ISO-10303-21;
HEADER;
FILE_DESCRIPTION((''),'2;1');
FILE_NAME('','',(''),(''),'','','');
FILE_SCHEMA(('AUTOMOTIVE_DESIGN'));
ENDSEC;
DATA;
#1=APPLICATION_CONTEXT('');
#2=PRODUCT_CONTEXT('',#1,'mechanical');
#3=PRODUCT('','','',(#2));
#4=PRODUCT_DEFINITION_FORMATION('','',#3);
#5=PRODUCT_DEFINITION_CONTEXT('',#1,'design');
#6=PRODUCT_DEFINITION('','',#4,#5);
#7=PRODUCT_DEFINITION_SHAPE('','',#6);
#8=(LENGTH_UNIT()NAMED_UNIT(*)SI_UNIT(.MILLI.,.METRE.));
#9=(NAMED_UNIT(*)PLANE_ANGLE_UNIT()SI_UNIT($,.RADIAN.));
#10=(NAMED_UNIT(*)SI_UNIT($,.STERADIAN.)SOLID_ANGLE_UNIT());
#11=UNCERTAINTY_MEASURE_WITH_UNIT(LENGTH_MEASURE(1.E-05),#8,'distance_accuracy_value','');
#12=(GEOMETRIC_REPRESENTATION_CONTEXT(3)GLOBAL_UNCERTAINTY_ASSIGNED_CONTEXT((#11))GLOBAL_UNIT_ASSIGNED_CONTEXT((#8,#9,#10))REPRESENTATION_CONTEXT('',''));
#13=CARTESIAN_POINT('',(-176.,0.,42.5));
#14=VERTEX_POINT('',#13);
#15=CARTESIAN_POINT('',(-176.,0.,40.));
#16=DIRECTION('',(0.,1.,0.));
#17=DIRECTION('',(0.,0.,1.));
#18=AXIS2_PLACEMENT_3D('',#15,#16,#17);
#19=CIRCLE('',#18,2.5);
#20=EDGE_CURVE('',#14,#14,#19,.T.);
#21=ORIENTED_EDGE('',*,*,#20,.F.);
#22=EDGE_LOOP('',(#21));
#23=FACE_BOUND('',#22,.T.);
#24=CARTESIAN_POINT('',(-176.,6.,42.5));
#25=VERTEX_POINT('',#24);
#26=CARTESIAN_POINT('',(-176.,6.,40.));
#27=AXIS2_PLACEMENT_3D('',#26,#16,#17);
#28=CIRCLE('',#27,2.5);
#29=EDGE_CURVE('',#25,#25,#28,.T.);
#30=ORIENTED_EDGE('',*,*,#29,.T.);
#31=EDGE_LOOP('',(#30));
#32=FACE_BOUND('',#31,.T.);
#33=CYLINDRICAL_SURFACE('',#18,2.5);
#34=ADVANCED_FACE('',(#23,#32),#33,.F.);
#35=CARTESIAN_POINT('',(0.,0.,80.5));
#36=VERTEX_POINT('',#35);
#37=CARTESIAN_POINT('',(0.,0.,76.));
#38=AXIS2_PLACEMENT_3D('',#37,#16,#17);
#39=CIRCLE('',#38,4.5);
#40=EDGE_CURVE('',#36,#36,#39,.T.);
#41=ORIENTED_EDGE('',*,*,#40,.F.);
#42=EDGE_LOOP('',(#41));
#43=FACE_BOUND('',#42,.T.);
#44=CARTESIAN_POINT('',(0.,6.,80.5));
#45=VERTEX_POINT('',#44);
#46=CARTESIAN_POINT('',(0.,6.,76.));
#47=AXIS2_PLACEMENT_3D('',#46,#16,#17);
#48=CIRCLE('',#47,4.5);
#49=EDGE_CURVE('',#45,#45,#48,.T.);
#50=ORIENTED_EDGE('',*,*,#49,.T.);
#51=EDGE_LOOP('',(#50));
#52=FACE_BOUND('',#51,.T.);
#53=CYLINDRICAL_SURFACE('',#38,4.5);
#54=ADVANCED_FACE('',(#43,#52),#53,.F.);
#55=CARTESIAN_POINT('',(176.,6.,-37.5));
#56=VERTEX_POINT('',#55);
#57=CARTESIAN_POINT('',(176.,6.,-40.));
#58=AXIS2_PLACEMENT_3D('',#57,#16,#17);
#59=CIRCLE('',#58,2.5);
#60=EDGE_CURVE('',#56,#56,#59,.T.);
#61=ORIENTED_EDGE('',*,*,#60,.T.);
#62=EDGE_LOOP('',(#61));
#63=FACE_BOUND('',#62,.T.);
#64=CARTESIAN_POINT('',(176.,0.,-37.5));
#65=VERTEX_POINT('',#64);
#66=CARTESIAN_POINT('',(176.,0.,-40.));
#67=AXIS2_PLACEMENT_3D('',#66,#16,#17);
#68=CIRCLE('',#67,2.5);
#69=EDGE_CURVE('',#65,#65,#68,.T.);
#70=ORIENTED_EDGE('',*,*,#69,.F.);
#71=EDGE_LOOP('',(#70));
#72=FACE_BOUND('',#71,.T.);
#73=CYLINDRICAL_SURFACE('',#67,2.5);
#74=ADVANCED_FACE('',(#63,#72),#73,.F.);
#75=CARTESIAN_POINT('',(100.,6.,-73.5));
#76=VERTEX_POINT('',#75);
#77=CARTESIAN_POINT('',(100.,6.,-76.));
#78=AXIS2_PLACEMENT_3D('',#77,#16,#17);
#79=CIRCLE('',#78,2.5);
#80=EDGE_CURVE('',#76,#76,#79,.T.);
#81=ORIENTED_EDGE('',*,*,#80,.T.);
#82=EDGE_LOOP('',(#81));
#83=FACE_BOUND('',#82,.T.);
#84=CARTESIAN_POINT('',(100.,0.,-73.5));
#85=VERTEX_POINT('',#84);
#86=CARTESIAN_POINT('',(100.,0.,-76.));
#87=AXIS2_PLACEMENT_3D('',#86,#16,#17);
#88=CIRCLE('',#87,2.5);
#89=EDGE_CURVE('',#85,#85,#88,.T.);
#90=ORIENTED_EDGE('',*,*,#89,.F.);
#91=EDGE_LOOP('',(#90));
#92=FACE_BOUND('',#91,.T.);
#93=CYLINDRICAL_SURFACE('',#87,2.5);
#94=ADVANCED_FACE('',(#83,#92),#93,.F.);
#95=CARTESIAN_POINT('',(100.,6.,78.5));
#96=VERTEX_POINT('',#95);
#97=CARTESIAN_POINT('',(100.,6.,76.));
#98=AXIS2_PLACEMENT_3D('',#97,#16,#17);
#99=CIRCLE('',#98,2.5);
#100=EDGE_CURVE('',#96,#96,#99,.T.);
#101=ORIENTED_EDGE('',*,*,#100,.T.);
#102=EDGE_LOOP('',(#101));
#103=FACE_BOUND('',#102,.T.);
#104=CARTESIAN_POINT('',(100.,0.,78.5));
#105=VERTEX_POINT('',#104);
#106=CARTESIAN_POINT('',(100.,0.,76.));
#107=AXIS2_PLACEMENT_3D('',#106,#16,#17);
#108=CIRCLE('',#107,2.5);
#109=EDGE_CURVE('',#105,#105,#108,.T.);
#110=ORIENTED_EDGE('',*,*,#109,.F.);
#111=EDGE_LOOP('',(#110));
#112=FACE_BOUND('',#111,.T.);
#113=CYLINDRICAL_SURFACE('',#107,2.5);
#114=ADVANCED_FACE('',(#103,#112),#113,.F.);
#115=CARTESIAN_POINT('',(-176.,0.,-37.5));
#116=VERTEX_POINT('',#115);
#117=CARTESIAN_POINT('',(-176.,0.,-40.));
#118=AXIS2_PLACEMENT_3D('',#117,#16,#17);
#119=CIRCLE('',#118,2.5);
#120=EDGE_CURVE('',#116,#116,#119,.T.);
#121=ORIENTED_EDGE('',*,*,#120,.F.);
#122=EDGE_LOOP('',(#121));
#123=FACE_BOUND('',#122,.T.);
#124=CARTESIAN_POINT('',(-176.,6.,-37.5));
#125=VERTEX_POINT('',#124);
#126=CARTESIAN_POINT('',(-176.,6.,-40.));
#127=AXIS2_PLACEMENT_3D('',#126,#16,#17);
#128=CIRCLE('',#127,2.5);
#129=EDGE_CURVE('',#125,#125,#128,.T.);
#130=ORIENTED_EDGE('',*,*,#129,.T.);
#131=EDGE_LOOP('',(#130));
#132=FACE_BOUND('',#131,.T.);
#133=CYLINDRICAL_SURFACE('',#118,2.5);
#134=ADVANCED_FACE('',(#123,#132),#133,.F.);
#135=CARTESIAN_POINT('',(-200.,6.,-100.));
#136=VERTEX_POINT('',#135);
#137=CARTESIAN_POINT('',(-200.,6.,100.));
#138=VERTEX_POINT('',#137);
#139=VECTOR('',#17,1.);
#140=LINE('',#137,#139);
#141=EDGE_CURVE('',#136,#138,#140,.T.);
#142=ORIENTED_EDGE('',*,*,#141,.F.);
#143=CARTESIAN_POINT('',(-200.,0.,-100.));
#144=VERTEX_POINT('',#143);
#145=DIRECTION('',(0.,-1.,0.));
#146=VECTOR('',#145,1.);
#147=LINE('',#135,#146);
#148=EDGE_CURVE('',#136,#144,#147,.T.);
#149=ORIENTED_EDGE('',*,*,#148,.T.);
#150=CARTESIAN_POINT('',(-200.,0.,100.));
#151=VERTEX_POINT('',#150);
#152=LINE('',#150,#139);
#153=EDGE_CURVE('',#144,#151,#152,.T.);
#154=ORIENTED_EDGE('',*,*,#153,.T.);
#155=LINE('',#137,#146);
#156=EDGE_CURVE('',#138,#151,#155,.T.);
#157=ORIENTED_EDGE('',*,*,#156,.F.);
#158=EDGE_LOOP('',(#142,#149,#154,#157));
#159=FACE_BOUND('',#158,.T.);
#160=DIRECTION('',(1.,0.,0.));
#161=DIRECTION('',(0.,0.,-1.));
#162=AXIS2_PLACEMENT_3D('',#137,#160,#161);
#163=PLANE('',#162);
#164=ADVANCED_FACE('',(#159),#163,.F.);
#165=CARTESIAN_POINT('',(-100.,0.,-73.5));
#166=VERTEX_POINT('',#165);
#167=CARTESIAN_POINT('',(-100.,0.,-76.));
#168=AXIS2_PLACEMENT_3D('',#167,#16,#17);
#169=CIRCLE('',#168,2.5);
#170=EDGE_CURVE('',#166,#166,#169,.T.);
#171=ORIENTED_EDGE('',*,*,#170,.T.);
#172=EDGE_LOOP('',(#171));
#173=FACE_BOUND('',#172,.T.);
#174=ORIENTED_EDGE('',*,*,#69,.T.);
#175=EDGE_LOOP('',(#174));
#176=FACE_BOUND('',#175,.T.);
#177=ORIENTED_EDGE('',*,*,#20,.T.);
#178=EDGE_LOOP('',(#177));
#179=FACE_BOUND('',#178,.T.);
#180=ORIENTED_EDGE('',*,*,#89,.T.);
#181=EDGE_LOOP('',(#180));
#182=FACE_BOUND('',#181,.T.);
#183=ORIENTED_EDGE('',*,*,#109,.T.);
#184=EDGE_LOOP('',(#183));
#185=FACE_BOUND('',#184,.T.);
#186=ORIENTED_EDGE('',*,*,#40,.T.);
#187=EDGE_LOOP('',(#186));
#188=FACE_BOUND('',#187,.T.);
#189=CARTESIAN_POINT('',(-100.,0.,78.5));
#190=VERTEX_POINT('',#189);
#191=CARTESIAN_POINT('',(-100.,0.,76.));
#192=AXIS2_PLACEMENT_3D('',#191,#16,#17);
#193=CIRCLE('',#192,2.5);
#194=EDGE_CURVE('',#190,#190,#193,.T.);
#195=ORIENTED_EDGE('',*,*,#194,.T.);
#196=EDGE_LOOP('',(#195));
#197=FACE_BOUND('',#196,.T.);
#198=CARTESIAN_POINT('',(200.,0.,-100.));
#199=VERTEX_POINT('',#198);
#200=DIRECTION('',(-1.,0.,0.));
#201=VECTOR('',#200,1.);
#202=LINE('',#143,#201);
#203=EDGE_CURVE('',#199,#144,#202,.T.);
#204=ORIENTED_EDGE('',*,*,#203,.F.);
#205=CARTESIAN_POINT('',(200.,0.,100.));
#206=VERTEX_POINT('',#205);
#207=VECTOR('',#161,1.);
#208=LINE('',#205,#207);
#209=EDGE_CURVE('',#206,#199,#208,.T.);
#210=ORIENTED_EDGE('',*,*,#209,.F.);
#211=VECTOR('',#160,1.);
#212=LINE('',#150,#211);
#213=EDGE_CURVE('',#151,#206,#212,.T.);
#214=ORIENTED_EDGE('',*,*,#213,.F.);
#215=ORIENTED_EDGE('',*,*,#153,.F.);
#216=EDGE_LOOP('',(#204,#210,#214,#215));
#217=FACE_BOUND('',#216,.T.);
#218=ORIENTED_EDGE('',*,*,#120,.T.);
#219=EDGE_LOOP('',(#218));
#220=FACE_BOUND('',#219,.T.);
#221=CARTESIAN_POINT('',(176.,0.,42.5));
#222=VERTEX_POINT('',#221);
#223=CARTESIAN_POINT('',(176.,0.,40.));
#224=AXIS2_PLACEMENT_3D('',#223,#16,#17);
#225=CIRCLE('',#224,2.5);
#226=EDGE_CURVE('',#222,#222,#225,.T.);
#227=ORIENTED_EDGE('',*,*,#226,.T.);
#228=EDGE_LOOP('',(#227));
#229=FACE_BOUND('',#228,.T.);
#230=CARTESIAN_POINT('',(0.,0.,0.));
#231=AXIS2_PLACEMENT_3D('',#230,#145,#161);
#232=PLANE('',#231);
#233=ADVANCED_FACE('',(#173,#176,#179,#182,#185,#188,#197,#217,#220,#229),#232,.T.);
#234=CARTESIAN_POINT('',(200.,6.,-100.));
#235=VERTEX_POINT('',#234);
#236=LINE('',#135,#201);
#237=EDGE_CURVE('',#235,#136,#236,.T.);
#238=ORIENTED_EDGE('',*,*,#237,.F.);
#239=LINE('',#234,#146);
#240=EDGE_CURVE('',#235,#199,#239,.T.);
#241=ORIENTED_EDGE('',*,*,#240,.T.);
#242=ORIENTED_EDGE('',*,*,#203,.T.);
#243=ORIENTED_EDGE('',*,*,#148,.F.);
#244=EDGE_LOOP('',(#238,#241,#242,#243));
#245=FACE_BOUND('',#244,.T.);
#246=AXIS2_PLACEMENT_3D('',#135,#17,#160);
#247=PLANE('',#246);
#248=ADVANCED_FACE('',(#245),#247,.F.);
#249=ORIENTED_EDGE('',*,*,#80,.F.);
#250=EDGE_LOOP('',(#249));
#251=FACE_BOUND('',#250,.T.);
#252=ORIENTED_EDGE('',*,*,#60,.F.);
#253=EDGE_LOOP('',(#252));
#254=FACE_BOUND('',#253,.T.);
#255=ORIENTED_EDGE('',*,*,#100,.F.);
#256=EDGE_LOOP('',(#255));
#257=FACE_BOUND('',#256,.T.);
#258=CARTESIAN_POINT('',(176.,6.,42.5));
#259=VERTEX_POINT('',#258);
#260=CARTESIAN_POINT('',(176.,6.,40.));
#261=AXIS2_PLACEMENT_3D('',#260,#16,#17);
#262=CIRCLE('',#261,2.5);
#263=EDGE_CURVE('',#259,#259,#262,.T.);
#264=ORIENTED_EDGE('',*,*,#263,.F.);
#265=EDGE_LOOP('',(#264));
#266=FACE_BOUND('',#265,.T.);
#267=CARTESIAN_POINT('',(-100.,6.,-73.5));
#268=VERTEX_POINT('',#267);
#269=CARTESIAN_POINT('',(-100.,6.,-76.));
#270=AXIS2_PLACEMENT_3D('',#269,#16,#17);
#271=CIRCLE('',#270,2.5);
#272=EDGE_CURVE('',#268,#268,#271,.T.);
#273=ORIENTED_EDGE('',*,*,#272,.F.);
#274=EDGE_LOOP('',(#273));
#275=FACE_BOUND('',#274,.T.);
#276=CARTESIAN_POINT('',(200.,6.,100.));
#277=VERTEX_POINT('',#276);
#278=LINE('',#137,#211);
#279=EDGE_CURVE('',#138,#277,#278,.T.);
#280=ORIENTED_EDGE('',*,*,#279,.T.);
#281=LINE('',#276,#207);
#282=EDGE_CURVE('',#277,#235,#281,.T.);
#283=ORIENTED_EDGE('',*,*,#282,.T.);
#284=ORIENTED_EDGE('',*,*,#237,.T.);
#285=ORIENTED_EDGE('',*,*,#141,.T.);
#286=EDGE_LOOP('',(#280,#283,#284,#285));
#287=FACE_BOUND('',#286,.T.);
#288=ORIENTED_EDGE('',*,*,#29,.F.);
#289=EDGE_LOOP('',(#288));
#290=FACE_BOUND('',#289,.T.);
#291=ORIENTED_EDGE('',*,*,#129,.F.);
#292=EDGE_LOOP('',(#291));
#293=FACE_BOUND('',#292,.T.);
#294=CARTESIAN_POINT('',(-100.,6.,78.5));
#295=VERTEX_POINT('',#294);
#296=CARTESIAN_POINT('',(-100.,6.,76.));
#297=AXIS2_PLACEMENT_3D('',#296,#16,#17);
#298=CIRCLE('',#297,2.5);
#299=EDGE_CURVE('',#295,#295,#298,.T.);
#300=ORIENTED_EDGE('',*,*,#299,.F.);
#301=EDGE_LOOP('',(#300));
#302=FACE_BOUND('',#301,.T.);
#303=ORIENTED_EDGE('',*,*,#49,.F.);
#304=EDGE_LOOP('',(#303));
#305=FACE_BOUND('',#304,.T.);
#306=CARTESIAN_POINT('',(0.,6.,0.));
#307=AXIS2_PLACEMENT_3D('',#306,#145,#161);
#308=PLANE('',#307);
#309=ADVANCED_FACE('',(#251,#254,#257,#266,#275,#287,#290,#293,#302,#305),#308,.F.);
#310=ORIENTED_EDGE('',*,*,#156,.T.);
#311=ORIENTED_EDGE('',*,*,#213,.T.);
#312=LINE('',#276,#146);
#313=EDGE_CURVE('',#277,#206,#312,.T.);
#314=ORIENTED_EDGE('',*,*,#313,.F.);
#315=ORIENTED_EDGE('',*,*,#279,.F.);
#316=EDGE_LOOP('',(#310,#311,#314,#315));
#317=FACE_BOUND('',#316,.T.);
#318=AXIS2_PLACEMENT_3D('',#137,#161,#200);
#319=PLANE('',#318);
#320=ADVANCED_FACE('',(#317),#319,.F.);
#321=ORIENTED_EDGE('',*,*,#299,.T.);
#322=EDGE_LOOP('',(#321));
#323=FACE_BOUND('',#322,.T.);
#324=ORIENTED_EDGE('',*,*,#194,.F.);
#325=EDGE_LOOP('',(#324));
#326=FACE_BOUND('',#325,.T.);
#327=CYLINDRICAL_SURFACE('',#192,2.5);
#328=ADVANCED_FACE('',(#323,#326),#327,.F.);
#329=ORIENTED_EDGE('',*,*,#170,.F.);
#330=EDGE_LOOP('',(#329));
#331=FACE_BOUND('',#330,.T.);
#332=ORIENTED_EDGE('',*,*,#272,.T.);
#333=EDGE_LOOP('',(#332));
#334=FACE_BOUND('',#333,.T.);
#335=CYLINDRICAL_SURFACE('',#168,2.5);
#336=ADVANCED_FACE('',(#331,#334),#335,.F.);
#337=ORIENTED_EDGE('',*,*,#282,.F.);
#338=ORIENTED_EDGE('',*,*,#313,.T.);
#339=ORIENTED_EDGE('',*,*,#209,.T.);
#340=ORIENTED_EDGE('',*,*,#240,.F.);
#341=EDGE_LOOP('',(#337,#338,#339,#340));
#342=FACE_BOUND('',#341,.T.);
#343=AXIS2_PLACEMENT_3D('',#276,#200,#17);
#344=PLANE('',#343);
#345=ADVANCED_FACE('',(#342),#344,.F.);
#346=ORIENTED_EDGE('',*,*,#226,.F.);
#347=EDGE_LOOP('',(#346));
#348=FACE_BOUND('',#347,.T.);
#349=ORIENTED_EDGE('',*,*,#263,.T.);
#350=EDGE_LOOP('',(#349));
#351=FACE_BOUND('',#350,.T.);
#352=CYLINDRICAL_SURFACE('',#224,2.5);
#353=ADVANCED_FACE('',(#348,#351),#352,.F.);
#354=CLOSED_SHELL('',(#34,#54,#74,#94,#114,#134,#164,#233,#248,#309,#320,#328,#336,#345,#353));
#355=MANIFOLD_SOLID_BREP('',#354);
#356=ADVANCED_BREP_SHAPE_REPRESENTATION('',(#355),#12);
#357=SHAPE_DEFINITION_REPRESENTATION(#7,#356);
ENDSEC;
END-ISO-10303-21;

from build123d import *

# Parameters (mm, degrees)
ESQUISSE1_W             = 400
ESQUISSE1_H             = 200
BOSS_EXTRU_1_DEPTH      = 6
ESQUISSE2_R             = 2.5
ENL_V_MAT_EXTRU_1_DEPTH = 224.687281713
ESQUISSE3_R             = 4.5
ENL_V_MAT_EXTRU_2_DEPTH = 224.687281713


with BuildPart() as part:
    # Esquisse1 → Boss.-Extru.1 (new body)
    with BuildSketch(Plane(origin=(0, 0, 0), x_dir=(1, 0, 0), z_dir=(0, 1, 0))):
        Rectangle(ESQUISSE1_W, ESQUISSE1_H)
    extrude(amount=BOSS_EXTRU_1_DEPTH)

    # Esquisse2 → Enlèv. mat.-Extru.1 (cut, through all)
    with BuildSketch(Plane(origin=(0, 6, 0), x_dir=(1, 0, 0), z_dir=(0, 1, 0))):
        with Locations(Location((-100, 76, 0), (0, 0, 270))):
            Circle(ESQUISSE2_R)
        with Locations(Location((100, 76, 0), (0, 0, 270))):
            Circle(ESQUISSE2_R)
        with Locations(Location((100, -76, 0), (0, 0, 270))):
            Circle(ESQUISSE2_R)
        with Locations(Location((-100, -76, 0), (0, 0, 270))):
            Circle(ESQUISSE2_R)
        with Locations(Location((-176, 40, 0), (0, 0, 270))):
            Circle(ESQUISSE2_R)
        with Locations(Location((-176, -40, 0), (0, 0, 270))):
            Circle(ESQUISSE2_R)
        with Locations(Location((176, -40, 0), (0, 0, 270))):
            Circle(ESQUISSE2_R)
        with Locations(Location((176, 40, 0), (0, 0, 270))):
            Circle(ESQUISSE2_R)
    extrude(amount=-ENL_V_MAT_EXTRU_1_DEPTH, mode=Mode.SUBTRACT)

    # Esquisse3 → Enlèv. mat.-Extru.2 (cut, through all)
    with BuildSketch(Plane(origin=(0, 6, 0), x_dir=(1, 0, 0), z_dir=(0, 1, 0))):
        with Locations(Location((0, -76, 0), (0, 0, 270))):
            Circle(ESQUISSE3_R)
    extrude(amount=-ENL_V_MAT_EXTRU_2_DEPTH, mode=Mode.SUBTRACT)


solid = part.part
